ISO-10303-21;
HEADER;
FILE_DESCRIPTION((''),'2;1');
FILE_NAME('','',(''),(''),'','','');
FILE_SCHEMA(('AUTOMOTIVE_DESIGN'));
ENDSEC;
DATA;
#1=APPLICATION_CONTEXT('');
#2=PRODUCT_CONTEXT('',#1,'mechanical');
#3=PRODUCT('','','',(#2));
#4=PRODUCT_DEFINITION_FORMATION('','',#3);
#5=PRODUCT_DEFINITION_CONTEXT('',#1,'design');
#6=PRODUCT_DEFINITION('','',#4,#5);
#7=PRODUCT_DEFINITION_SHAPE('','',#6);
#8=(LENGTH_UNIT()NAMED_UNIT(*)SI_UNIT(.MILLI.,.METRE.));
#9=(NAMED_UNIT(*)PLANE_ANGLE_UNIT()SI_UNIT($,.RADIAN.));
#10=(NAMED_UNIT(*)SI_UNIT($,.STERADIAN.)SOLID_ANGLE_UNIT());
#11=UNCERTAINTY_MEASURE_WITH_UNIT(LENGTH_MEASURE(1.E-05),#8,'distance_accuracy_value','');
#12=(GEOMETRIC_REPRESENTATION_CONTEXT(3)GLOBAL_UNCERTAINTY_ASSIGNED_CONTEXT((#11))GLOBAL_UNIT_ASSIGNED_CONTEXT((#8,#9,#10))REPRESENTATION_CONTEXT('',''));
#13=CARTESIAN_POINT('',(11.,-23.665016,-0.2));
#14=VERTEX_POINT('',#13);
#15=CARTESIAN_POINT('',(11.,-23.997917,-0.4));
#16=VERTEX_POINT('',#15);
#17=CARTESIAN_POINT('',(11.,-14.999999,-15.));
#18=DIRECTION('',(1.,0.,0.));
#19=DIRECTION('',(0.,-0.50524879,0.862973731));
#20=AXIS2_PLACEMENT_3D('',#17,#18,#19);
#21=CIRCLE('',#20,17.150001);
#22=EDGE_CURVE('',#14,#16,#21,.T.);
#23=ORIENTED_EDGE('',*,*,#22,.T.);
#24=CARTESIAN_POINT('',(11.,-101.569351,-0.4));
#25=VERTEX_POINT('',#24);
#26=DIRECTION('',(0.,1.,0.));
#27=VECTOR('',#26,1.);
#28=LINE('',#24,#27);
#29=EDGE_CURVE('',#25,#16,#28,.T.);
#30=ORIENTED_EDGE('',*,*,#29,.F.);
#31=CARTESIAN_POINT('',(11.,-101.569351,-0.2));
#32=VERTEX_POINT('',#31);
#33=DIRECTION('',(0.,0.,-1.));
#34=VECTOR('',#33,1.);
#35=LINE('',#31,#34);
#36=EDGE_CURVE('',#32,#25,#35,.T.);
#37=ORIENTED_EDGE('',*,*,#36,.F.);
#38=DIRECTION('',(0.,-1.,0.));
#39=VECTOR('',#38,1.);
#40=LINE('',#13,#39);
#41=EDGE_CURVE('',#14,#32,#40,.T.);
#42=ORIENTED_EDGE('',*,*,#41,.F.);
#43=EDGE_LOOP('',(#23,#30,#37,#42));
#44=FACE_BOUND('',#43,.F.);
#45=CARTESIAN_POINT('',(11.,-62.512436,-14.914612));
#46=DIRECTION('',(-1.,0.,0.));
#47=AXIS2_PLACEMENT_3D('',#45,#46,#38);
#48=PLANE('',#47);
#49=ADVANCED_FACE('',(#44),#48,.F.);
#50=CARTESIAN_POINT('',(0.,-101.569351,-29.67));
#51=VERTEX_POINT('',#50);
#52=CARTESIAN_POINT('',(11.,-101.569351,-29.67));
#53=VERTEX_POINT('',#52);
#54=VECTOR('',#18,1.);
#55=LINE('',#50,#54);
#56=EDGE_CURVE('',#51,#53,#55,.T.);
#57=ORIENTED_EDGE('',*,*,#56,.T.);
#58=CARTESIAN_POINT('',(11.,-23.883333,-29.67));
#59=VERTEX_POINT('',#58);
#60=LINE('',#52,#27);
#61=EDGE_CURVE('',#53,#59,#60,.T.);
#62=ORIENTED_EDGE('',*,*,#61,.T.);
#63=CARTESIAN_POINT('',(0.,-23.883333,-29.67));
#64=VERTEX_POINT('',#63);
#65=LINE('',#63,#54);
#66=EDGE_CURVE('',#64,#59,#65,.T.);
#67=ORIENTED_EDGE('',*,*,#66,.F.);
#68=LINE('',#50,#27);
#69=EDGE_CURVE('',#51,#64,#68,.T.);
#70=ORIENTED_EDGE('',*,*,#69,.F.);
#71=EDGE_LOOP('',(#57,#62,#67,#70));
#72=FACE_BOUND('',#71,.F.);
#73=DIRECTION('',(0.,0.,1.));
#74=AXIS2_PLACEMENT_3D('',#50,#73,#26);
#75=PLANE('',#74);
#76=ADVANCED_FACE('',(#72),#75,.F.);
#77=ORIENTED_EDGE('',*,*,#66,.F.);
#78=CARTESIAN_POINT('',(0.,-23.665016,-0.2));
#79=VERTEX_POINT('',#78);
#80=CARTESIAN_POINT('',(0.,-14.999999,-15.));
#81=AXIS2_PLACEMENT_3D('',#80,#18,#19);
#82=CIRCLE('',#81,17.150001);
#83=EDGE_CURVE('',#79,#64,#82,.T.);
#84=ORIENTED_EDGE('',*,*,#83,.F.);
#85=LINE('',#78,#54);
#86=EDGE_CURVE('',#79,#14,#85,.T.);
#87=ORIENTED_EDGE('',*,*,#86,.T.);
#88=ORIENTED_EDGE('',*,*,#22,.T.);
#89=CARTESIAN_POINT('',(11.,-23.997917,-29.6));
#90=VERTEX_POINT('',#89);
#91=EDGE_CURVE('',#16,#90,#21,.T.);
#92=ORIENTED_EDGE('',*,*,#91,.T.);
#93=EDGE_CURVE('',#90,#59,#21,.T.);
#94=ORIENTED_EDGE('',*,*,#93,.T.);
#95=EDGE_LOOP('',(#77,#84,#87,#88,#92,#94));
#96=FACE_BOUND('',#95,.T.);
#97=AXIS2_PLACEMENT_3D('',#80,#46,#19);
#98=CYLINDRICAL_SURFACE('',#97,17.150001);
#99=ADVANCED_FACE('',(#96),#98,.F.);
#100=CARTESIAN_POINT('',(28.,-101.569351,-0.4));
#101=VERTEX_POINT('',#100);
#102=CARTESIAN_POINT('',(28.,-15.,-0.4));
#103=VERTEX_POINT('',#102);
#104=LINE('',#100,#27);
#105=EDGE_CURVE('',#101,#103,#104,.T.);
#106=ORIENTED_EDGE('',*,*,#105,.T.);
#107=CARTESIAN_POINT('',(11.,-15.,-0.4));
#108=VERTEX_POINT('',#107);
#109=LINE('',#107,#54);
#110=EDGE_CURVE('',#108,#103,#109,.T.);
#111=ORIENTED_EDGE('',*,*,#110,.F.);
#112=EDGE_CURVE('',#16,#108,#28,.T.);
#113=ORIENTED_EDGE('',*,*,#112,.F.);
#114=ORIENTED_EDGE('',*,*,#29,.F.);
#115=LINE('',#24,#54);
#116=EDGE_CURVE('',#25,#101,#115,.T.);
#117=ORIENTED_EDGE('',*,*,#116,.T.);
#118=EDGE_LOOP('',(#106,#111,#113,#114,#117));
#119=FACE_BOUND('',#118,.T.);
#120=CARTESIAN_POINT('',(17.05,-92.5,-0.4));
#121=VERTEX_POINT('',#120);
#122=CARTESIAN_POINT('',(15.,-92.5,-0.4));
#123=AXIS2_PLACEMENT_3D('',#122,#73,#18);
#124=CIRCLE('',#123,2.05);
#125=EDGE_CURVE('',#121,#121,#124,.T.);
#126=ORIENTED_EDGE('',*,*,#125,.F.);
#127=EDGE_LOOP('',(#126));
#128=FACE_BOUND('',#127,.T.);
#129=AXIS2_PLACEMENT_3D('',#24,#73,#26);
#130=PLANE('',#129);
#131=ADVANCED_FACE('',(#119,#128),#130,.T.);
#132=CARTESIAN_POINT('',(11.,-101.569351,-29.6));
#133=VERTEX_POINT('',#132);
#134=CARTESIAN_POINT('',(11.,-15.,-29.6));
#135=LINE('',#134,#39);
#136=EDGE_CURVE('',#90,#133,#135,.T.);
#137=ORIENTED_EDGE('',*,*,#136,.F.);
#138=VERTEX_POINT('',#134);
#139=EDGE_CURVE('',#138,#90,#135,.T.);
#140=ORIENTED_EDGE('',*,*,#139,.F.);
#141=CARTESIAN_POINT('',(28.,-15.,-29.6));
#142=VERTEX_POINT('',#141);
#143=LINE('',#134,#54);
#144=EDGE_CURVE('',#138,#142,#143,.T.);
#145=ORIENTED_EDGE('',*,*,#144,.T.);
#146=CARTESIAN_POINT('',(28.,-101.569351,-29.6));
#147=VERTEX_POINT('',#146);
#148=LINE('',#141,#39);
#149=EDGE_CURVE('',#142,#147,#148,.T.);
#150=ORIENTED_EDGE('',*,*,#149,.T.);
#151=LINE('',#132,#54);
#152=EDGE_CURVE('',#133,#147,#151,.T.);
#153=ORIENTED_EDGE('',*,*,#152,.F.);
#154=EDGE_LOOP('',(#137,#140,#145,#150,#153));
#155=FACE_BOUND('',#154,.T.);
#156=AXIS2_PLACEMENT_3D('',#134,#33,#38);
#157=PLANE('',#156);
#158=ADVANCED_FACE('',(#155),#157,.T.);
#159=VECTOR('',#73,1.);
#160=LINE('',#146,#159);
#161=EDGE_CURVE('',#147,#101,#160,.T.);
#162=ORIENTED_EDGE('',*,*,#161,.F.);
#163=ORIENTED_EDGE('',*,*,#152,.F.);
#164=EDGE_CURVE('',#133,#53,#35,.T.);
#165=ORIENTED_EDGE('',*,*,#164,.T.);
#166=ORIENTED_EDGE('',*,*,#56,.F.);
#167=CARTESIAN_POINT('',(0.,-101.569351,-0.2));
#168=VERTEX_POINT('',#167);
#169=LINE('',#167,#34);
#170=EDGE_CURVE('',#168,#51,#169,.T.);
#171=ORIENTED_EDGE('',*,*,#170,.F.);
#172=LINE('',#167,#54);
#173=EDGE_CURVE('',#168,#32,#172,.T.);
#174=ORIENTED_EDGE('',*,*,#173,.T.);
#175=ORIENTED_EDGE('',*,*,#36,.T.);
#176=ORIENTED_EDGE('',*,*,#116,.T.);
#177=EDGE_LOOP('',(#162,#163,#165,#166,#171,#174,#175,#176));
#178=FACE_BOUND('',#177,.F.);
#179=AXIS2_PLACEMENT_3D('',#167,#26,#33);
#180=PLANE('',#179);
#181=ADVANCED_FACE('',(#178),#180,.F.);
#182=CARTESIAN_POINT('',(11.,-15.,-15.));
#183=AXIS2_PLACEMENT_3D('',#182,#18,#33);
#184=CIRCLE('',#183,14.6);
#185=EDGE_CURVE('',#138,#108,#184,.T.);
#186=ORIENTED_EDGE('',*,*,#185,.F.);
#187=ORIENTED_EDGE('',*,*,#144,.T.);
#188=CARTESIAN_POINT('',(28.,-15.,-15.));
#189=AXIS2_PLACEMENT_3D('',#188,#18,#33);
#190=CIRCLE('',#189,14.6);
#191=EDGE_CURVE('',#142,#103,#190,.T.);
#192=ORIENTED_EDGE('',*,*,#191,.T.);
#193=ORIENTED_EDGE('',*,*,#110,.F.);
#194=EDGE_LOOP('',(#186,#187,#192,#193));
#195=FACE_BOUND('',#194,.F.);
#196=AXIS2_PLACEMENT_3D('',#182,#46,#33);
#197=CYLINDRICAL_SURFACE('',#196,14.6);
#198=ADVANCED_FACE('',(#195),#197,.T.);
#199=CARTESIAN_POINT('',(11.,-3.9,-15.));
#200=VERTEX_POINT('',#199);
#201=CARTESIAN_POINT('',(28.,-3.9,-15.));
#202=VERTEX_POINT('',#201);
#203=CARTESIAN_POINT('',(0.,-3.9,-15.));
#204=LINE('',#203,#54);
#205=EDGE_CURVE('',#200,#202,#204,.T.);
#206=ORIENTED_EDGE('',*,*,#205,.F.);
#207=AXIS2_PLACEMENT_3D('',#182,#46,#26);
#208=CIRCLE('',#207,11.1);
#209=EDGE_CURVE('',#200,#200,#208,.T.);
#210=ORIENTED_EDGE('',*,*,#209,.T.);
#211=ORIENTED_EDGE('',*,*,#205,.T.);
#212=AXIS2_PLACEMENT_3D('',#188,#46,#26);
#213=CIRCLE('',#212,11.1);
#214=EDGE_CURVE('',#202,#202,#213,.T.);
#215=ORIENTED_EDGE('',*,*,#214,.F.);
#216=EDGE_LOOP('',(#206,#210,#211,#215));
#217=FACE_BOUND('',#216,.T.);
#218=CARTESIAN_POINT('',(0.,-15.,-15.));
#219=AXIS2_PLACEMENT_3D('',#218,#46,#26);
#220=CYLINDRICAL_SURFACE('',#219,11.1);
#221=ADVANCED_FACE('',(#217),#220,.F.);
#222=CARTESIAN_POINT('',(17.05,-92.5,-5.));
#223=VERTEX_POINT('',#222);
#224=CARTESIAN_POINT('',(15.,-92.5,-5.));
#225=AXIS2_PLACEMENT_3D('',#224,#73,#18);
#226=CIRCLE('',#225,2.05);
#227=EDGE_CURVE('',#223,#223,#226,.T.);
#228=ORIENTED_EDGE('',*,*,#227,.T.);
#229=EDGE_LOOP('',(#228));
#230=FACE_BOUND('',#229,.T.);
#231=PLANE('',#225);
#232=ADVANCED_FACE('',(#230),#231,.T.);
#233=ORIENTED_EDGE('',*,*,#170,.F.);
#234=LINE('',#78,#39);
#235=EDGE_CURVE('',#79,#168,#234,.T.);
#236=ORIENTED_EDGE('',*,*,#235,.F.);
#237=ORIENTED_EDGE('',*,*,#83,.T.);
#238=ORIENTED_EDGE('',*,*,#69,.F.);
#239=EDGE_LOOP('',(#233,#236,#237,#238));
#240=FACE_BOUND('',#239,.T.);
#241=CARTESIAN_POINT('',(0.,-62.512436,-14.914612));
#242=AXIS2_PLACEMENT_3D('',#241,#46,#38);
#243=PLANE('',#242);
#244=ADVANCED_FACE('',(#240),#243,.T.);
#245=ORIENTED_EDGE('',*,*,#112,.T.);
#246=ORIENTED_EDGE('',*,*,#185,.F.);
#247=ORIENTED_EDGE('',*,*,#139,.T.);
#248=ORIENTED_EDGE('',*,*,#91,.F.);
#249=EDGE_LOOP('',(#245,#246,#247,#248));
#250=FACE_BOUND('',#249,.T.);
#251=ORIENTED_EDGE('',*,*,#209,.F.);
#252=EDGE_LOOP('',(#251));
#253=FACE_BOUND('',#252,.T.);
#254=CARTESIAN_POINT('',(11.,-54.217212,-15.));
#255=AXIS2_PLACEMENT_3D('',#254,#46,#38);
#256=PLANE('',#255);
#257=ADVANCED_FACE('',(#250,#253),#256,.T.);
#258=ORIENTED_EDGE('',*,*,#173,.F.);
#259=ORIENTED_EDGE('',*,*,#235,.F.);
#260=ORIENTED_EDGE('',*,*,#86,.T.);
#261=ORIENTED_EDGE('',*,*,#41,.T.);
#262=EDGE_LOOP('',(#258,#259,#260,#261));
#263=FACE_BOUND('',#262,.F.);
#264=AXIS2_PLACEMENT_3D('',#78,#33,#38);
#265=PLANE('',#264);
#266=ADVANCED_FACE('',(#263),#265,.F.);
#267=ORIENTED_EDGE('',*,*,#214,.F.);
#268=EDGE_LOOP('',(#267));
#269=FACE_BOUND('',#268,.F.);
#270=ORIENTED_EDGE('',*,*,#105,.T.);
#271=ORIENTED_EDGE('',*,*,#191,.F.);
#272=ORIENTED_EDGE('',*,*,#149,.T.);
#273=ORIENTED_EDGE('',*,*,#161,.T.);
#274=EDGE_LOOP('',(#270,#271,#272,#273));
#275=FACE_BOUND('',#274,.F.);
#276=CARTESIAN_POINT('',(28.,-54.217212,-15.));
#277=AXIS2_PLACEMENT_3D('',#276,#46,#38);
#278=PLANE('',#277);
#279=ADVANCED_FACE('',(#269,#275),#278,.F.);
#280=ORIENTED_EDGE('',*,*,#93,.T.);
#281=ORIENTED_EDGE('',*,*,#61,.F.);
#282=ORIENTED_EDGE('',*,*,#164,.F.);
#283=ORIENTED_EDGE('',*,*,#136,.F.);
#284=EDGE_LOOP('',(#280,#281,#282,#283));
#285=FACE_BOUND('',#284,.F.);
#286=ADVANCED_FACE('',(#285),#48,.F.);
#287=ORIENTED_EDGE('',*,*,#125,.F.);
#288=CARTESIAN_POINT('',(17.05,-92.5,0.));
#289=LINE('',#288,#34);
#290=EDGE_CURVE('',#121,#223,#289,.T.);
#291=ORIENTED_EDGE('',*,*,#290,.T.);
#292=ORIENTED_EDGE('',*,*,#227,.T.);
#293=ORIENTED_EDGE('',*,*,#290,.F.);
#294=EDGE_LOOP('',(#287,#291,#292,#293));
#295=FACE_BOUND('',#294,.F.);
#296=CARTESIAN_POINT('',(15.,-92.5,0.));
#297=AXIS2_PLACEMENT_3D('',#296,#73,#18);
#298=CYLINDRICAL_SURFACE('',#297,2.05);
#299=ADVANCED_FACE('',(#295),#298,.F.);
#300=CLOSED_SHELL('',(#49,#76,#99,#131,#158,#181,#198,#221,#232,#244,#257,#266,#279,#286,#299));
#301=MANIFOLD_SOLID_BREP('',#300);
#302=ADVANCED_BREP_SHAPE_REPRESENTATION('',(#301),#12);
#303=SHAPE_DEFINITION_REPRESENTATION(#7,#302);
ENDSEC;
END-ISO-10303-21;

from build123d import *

# Parameters (mm, degrees)
PAD004_DEPTH    = 17
PAD005_DEPTH    = 11
SKETCH007_R     = 11.1
POCKET001_DEPTH = 35
SKETCH015_R     = 2.05
POCKET003_DEPTH = 5


with BuildPart() as part:
    # Sketch005 → Pad004 (new body)
    with BuildSketch(Plane.YZ.offset(11)):
        with BuildLine():
            Line((-15, -29.6), (-101.569351, -29.6))
            Line((-101.569351, -29.6), (-101.569351, -0.4))
            Line((-101.569351, -0.4), (-15, -0.4))
            ThreePointArc((-15, -29.6), (-0.4, -15), (-15, -0.4))
        make_face()
    extrude(amount=PAD004_DEPTH)

    # Sketch006 → Pad005 (join)
    with BuildSketch(Plane.YZ):
        with BuildLine():
            ThreePointArc((-23.665016, -0.2), (-32.149529, -14.872954), (-23.883333, -29.67))
            Line((-101.569351, -29.67), (-23.883333, -29.67))
            Line((-101.569351, -0.2), (-101.569351, -29.67))
            Line((-23.665016, -0.2), (-101.569351, -0.2))
        make_face()
    extrude(amount=PAD005_DEPTH)

    # Sketch007 → Pocket001 (cut)
    with BuildSketch(Plane.YZ):
        with Locations((-15, -15)):
            Circle(SKETCH007_R)
    extrude(amount=POCKET001_DEPTH, mode=Mode.SUBTRACT)

    # Sketch015 → Pocket003 (cut)
    with BuildSketch(Plane.XY):
        with Locations((15, -92.5)):
            Circle(SKETCH015_R)
    extrude(amount=-POCKET003_DEPTH, mode=Mode.SUBTRACT)


solid = part.part
